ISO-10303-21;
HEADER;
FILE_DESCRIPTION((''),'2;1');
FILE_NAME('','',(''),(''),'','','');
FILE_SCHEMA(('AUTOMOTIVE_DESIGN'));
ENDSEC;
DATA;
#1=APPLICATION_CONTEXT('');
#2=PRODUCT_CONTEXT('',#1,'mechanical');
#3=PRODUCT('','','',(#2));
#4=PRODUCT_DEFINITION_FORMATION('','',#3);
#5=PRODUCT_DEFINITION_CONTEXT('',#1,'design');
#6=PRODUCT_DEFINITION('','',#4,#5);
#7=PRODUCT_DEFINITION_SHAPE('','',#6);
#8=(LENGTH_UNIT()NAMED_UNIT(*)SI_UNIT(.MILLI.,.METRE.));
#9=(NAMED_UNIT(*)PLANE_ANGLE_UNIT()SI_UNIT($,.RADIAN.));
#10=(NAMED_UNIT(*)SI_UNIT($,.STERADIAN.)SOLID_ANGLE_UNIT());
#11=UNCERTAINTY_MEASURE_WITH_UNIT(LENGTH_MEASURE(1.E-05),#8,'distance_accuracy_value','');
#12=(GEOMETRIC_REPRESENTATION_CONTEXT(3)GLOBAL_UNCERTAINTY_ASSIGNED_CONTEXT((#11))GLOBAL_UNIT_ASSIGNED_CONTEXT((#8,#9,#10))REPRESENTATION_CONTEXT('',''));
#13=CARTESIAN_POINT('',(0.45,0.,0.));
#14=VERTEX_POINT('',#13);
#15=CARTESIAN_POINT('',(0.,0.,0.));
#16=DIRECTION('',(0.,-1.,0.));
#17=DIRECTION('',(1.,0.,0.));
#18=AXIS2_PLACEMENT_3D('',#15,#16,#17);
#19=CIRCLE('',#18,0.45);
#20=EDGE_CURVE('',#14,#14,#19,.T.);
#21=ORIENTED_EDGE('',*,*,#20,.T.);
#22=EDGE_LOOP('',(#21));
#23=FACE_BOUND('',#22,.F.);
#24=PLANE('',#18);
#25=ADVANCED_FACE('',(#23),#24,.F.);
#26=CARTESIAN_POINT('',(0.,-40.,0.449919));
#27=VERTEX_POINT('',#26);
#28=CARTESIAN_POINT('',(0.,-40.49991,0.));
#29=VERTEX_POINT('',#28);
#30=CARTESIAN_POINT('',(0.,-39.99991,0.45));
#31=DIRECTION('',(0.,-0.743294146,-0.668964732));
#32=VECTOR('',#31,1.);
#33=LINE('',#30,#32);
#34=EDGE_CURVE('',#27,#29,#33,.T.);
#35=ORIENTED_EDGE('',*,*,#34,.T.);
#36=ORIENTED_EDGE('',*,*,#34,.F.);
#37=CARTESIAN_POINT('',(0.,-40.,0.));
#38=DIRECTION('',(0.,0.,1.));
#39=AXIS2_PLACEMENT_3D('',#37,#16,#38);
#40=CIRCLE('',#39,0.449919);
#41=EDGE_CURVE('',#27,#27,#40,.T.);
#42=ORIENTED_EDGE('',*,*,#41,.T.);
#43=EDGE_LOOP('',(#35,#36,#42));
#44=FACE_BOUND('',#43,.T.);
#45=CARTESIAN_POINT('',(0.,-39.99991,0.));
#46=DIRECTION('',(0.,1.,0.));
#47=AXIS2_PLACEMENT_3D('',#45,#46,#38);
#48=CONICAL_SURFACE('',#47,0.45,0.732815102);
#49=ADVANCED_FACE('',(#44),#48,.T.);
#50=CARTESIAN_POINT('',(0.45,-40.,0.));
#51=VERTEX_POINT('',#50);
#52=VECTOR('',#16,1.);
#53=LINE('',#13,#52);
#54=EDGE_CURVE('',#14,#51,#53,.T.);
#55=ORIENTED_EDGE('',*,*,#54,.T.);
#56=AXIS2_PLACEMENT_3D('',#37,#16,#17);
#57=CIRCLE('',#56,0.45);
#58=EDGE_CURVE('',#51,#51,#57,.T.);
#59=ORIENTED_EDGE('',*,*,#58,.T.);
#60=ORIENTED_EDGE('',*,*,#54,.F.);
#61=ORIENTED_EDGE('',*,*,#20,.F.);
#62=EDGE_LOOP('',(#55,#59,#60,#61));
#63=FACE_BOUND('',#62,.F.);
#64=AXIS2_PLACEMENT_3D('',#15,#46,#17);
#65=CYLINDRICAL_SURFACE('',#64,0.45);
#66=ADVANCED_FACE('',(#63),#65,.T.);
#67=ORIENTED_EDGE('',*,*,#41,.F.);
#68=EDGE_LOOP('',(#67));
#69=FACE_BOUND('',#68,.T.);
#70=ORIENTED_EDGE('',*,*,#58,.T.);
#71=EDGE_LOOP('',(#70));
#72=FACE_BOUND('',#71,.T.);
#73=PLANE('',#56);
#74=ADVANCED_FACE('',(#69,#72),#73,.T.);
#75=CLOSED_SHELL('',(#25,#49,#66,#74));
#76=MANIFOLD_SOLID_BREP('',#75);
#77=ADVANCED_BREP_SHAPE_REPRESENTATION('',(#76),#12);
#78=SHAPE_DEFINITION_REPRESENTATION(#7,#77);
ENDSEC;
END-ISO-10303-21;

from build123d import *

# Parameters (mm, degrees)
F0_R     = 0.45
F1_DEPTH = 40


with BuildPart() as f1:
    # F0 (on Front) → F1 (new body)
    with BuildSketch(Plane.XZ):
        Circle(F0_R)
    extrude(amount=F1_DEPTH)

    # F2 (on Right) → F3 (revolve)
    with BuildSketch(Plane.YZ):
        Polygon((-40.49991, 0), (-39.99991, 0), (-39.99991, 0.45), align=None)
    revolve(axis=Axis((0, -40.24991, 0), (0, -1, 0)))


solid = f1.part
